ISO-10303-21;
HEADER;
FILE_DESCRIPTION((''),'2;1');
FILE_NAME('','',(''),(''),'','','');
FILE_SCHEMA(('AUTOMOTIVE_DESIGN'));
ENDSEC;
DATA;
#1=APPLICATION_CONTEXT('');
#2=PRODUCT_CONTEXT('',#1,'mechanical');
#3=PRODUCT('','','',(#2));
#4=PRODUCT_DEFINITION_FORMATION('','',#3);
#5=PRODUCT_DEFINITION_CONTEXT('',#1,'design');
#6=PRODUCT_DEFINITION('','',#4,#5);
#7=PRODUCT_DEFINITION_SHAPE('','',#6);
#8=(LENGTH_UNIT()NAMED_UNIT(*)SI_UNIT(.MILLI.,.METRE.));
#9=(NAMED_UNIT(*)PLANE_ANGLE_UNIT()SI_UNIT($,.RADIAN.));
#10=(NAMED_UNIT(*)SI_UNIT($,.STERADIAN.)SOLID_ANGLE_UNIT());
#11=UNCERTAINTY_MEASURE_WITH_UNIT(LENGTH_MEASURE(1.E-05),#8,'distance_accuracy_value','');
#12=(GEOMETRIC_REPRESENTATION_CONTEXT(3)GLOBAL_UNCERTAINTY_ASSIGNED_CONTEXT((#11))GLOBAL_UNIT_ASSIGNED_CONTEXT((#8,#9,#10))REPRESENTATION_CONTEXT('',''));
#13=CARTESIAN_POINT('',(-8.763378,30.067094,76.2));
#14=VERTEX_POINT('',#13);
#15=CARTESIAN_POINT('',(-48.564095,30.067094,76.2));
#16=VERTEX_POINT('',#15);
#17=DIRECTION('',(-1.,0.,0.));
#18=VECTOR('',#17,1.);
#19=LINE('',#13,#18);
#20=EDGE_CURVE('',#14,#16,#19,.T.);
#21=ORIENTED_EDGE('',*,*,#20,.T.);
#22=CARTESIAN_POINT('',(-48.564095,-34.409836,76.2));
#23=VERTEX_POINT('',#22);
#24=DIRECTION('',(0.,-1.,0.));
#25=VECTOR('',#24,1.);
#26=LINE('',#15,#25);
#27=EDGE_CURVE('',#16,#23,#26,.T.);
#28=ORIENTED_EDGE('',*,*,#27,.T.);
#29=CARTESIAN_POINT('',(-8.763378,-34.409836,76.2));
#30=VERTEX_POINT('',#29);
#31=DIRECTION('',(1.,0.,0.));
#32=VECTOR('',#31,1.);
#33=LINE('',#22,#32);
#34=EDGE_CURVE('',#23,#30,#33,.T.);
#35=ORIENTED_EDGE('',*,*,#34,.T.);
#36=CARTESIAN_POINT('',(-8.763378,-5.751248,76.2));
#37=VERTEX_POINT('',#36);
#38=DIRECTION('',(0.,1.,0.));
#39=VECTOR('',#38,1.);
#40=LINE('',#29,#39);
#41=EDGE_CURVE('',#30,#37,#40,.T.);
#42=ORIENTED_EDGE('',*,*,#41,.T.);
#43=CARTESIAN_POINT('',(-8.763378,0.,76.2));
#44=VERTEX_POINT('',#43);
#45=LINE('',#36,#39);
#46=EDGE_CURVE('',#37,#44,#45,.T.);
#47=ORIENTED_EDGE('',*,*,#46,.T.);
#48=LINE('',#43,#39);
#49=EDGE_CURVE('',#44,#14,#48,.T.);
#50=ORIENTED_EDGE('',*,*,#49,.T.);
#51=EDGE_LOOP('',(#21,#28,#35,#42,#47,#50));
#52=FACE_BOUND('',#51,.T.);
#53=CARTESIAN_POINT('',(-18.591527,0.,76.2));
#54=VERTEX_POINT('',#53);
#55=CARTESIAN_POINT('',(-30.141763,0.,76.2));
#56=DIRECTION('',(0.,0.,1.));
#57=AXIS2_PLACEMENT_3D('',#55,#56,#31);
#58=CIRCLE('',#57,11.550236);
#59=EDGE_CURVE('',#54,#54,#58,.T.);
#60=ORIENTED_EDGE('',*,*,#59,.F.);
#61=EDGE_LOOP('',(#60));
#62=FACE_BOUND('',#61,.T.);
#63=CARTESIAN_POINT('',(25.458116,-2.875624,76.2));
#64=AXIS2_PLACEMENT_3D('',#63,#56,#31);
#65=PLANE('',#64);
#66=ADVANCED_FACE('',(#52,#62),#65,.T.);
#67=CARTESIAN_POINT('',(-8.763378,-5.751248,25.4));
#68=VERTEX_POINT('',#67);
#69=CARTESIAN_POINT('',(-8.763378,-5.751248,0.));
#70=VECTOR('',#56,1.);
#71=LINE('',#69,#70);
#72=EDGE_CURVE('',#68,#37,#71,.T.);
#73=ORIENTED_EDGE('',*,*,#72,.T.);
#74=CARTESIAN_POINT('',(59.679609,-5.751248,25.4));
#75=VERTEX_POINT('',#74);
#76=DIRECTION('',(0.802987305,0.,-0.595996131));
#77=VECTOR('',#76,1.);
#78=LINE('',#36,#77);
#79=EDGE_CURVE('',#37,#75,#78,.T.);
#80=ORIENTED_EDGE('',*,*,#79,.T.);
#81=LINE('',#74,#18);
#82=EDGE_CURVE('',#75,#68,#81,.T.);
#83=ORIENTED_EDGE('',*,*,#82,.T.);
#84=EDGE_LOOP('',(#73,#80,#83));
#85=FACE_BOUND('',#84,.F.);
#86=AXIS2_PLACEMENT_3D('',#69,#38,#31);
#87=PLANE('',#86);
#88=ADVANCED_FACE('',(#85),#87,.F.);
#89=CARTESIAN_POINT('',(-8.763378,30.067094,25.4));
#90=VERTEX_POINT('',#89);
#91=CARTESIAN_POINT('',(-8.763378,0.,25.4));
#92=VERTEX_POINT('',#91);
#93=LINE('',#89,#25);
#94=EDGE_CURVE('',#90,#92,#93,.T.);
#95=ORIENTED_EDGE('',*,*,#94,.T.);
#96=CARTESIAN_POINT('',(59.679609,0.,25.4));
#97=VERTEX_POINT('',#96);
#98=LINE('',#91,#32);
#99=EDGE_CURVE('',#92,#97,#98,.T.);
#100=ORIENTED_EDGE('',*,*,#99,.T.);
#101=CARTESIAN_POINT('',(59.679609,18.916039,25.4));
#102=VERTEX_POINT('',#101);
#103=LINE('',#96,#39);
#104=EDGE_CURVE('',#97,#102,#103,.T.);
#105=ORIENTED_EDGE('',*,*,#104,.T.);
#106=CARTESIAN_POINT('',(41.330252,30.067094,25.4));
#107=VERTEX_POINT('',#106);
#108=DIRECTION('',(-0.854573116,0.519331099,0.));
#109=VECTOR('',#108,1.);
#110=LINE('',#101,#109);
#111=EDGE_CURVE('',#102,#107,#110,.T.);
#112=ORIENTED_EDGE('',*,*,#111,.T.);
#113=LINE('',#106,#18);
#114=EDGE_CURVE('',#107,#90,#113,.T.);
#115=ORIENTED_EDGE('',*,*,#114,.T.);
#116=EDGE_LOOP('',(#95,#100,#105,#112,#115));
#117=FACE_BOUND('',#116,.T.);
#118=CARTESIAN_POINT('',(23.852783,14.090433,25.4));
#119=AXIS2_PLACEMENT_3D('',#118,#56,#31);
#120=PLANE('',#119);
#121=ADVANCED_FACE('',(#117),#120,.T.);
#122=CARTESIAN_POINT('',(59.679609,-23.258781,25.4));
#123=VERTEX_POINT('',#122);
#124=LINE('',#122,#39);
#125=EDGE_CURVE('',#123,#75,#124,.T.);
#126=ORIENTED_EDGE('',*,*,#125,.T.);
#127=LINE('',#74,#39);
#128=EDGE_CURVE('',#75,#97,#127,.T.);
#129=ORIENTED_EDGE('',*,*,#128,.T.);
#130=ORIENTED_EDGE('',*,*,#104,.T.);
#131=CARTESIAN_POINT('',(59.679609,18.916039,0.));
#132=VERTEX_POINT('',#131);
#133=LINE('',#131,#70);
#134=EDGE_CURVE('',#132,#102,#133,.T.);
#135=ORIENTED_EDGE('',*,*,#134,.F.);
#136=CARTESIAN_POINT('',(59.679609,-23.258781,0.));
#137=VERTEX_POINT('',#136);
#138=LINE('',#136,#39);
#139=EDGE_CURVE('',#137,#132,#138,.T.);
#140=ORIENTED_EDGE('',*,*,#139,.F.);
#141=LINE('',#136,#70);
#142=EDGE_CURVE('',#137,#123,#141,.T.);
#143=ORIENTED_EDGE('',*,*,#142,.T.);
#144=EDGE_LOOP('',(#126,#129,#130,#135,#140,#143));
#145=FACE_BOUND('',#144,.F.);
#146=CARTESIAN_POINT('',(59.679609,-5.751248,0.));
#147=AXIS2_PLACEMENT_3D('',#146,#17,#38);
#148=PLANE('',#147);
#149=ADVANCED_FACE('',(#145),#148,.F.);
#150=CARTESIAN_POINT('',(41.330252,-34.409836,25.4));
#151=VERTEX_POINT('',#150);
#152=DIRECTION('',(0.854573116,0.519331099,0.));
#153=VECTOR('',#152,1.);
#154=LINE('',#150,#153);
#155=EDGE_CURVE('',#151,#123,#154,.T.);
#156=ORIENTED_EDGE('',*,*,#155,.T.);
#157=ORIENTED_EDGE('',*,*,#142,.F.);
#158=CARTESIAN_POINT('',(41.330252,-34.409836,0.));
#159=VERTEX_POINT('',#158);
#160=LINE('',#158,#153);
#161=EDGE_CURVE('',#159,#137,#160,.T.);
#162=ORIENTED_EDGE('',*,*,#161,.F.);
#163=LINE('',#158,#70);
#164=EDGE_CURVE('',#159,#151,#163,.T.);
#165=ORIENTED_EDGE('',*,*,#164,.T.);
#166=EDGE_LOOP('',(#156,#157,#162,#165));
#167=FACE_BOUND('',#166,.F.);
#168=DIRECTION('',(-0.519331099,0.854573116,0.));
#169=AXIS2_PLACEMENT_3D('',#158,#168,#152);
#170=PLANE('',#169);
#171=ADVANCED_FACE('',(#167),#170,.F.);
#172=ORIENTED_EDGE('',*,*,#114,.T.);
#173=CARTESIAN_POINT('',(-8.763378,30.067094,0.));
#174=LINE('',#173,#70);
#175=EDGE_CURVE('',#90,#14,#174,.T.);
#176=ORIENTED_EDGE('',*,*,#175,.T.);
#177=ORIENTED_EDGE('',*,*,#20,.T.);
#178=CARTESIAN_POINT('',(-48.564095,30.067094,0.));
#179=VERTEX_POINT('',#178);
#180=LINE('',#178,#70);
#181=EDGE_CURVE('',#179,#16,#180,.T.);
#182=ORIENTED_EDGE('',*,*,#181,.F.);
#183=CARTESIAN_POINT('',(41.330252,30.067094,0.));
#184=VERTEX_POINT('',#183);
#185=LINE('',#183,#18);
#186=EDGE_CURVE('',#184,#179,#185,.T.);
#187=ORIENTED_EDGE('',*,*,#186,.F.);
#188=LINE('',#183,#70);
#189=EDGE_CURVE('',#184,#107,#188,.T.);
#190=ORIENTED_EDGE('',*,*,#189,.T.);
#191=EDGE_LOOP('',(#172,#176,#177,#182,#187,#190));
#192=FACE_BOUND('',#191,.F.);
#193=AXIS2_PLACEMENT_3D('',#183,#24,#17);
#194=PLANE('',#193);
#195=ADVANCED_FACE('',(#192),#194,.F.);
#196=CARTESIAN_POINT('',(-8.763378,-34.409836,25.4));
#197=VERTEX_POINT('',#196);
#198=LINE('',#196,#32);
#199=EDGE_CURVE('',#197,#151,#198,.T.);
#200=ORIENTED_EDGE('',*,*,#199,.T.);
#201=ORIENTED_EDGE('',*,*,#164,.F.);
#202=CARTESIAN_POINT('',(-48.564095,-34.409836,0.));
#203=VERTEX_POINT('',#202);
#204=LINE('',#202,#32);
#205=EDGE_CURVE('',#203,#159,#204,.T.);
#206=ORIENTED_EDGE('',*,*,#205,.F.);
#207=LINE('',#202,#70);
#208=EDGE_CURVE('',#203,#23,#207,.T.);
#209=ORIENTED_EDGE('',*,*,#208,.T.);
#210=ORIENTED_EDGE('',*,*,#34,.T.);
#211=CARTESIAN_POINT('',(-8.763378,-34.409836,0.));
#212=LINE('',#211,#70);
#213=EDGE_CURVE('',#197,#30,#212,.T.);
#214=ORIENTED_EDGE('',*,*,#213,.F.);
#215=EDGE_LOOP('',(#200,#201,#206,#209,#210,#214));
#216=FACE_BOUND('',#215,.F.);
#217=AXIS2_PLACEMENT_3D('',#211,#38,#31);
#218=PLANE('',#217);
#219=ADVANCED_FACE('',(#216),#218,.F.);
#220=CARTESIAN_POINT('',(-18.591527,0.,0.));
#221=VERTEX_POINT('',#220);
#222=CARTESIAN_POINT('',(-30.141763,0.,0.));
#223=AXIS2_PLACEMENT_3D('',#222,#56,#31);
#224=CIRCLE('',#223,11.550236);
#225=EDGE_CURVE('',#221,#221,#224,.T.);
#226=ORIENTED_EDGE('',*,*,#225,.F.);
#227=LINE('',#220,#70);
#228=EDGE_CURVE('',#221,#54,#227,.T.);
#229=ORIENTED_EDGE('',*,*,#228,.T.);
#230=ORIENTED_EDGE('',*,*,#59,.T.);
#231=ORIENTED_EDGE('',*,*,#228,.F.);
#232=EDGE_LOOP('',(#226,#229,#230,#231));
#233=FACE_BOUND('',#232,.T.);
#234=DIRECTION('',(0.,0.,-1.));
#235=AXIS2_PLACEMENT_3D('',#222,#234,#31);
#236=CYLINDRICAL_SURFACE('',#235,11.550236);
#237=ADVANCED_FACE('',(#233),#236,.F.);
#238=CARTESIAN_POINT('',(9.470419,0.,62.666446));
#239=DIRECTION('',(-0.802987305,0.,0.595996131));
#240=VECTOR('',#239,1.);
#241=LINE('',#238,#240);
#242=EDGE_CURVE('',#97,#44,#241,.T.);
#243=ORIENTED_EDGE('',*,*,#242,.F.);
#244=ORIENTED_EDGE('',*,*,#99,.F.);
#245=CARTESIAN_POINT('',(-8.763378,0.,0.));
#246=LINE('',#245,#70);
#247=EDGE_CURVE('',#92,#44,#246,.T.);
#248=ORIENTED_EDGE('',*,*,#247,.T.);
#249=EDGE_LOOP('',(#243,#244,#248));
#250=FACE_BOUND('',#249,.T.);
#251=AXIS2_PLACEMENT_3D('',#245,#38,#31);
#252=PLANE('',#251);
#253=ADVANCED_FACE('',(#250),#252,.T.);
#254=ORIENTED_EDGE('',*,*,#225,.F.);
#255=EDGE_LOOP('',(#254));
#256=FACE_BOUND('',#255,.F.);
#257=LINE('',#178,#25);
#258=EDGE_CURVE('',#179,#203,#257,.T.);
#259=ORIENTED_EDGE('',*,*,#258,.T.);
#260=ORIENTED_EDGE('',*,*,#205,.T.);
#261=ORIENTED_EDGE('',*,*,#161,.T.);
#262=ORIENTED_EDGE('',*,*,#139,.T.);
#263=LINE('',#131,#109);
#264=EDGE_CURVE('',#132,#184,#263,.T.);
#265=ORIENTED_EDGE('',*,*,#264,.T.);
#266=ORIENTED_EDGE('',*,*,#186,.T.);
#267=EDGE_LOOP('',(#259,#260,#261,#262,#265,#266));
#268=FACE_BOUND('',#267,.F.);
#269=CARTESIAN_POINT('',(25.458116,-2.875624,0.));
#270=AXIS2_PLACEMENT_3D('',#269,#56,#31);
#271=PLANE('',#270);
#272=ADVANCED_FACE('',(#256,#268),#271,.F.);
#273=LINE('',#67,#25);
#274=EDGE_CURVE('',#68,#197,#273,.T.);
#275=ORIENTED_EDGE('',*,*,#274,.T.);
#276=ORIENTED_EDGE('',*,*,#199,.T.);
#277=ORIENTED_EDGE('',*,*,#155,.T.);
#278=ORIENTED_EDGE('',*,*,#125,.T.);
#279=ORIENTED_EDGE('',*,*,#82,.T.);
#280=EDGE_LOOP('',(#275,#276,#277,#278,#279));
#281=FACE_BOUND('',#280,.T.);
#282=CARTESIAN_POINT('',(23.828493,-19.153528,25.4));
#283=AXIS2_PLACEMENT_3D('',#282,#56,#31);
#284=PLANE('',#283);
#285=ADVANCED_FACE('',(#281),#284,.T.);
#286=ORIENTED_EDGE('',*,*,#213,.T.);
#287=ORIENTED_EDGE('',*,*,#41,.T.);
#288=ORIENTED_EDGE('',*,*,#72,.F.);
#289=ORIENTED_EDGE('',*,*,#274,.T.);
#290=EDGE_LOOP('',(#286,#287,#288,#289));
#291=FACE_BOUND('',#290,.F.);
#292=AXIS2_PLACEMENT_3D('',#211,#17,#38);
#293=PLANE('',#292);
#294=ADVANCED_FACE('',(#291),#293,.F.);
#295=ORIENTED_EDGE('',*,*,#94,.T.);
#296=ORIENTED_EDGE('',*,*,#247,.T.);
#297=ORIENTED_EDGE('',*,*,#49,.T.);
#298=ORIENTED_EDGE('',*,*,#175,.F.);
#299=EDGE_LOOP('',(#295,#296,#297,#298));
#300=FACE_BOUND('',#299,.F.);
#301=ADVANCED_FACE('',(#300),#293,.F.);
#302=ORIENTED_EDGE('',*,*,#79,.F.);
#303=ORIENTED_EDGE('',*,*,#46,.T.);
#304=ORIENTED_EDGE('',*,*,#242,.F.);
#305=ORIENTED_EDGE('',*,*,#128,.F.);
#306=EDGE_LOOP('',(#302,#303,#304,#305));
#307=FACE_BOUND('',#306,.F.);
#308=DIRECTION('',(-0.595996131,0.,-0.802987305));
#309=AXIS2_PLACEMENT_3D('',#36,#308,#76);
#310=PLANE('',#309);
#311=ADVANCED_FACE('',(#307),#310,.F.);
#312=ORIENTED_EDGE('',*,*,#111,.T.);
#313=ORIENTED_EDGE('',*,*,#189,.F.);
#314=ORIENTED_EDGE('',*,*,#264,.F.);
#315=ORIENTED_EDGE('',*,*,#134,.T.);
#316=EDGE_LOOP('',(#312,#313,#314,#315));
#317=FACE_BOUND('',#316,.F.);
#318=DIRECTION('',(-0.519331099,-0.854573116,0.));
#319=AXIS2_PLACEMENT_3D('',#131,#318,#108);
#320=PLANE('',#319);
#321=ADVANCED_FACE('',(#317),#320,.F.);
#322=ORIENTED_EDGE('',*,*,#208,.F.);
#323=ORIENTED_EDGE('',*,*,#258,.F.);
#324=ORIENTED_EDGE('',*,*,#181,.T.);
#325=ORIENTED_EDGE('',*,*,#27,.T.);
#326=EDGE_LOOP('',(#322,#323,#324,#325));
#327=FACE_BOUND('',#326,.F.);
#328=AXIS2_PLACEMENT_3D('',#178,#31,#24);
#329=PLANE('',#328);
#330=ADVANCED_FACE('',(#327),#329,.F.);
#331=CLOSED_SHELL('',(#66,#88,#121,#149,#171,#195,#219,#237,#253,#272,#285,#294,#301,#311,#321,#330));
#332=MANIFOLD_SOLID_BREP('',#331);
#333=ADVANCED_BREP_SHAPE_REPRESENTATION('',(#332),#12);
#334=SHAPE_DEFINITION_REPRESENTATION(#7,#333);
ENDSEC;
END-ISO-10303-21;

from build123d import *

# Parameters (mm, degrees)
F0_R     = 11.5502364961
F1_DEPTH = 76.2
F2_DEPTH = 25.4
F3_DEPTH = 25.4
F0_W     = 68.4429863468
F0_H     = 5.7512475178
F4_DEPTH = 76.2
F6_DEPTH = 25.4


with BuildPart() as f1:
    # F0 (on Top) → F1 (new body)
    with BuildSketch(Plane.XY):
        Polygon((-8.7633775547, 30.0670936704), (-48.5640950501, 30.0670936704), (-48.5640950501, -34.4098359346), (-8.7633775547, -34.4098359346), (-8.7633775547, -5.7512475178), (-8.7633775547, 0), align=None)
        with Locations((-30.1417633891, 0)):
            Circle(F0_R, mode=Mode.SUBTRACT)
    extrude(amount=F1_DEPTH)

    # F0 (on Top) → F2 (join)
    with BuildSketch(Plane.XY):
        Polygon((-8.7633775547, -5.7512475178), (-8.7633775547, -34.4098359346), (41.3302518427, -34.4098359346), (59.6796087921, -23.2587810606), (59.6796087921, -5.7512475178), align=None)
    extrude(amount=F2_DEPTH)

    # F0 (on Top) → F3 (join)
    with BuildSketch(Plane.XY):
        Polygon((41.3302518427, 30.0670936704), (-8.7633775547, 30.0670936704), (-8.7633775547, 0), (59.6796087921, 0), (59.6796087921, 18.9160387963), align=None)
    extrude(amount=F3_DEPTH)

    # F0 (on Top) → F4 (join)
    with BuildSketch(Plane.XY):
        with Locations((25.4581156187, -2.8756237589)):
            Rectangle(F0_W, F0_H)
    extrude(amount=F4_DEPTH)

    # F5 (on face) → F6 (cut)
    with BuildSketch(Plane.XZ.offset(5.7512475178)):
        Polygon((59.6796087921, 76.2), (-8.7633775547, 76.2), (59.6796087921, 25.4), align=None)
    extrude(amount=-F6_DEPTH, mode=Mode.SUBTRACT)


solid = f1.part
